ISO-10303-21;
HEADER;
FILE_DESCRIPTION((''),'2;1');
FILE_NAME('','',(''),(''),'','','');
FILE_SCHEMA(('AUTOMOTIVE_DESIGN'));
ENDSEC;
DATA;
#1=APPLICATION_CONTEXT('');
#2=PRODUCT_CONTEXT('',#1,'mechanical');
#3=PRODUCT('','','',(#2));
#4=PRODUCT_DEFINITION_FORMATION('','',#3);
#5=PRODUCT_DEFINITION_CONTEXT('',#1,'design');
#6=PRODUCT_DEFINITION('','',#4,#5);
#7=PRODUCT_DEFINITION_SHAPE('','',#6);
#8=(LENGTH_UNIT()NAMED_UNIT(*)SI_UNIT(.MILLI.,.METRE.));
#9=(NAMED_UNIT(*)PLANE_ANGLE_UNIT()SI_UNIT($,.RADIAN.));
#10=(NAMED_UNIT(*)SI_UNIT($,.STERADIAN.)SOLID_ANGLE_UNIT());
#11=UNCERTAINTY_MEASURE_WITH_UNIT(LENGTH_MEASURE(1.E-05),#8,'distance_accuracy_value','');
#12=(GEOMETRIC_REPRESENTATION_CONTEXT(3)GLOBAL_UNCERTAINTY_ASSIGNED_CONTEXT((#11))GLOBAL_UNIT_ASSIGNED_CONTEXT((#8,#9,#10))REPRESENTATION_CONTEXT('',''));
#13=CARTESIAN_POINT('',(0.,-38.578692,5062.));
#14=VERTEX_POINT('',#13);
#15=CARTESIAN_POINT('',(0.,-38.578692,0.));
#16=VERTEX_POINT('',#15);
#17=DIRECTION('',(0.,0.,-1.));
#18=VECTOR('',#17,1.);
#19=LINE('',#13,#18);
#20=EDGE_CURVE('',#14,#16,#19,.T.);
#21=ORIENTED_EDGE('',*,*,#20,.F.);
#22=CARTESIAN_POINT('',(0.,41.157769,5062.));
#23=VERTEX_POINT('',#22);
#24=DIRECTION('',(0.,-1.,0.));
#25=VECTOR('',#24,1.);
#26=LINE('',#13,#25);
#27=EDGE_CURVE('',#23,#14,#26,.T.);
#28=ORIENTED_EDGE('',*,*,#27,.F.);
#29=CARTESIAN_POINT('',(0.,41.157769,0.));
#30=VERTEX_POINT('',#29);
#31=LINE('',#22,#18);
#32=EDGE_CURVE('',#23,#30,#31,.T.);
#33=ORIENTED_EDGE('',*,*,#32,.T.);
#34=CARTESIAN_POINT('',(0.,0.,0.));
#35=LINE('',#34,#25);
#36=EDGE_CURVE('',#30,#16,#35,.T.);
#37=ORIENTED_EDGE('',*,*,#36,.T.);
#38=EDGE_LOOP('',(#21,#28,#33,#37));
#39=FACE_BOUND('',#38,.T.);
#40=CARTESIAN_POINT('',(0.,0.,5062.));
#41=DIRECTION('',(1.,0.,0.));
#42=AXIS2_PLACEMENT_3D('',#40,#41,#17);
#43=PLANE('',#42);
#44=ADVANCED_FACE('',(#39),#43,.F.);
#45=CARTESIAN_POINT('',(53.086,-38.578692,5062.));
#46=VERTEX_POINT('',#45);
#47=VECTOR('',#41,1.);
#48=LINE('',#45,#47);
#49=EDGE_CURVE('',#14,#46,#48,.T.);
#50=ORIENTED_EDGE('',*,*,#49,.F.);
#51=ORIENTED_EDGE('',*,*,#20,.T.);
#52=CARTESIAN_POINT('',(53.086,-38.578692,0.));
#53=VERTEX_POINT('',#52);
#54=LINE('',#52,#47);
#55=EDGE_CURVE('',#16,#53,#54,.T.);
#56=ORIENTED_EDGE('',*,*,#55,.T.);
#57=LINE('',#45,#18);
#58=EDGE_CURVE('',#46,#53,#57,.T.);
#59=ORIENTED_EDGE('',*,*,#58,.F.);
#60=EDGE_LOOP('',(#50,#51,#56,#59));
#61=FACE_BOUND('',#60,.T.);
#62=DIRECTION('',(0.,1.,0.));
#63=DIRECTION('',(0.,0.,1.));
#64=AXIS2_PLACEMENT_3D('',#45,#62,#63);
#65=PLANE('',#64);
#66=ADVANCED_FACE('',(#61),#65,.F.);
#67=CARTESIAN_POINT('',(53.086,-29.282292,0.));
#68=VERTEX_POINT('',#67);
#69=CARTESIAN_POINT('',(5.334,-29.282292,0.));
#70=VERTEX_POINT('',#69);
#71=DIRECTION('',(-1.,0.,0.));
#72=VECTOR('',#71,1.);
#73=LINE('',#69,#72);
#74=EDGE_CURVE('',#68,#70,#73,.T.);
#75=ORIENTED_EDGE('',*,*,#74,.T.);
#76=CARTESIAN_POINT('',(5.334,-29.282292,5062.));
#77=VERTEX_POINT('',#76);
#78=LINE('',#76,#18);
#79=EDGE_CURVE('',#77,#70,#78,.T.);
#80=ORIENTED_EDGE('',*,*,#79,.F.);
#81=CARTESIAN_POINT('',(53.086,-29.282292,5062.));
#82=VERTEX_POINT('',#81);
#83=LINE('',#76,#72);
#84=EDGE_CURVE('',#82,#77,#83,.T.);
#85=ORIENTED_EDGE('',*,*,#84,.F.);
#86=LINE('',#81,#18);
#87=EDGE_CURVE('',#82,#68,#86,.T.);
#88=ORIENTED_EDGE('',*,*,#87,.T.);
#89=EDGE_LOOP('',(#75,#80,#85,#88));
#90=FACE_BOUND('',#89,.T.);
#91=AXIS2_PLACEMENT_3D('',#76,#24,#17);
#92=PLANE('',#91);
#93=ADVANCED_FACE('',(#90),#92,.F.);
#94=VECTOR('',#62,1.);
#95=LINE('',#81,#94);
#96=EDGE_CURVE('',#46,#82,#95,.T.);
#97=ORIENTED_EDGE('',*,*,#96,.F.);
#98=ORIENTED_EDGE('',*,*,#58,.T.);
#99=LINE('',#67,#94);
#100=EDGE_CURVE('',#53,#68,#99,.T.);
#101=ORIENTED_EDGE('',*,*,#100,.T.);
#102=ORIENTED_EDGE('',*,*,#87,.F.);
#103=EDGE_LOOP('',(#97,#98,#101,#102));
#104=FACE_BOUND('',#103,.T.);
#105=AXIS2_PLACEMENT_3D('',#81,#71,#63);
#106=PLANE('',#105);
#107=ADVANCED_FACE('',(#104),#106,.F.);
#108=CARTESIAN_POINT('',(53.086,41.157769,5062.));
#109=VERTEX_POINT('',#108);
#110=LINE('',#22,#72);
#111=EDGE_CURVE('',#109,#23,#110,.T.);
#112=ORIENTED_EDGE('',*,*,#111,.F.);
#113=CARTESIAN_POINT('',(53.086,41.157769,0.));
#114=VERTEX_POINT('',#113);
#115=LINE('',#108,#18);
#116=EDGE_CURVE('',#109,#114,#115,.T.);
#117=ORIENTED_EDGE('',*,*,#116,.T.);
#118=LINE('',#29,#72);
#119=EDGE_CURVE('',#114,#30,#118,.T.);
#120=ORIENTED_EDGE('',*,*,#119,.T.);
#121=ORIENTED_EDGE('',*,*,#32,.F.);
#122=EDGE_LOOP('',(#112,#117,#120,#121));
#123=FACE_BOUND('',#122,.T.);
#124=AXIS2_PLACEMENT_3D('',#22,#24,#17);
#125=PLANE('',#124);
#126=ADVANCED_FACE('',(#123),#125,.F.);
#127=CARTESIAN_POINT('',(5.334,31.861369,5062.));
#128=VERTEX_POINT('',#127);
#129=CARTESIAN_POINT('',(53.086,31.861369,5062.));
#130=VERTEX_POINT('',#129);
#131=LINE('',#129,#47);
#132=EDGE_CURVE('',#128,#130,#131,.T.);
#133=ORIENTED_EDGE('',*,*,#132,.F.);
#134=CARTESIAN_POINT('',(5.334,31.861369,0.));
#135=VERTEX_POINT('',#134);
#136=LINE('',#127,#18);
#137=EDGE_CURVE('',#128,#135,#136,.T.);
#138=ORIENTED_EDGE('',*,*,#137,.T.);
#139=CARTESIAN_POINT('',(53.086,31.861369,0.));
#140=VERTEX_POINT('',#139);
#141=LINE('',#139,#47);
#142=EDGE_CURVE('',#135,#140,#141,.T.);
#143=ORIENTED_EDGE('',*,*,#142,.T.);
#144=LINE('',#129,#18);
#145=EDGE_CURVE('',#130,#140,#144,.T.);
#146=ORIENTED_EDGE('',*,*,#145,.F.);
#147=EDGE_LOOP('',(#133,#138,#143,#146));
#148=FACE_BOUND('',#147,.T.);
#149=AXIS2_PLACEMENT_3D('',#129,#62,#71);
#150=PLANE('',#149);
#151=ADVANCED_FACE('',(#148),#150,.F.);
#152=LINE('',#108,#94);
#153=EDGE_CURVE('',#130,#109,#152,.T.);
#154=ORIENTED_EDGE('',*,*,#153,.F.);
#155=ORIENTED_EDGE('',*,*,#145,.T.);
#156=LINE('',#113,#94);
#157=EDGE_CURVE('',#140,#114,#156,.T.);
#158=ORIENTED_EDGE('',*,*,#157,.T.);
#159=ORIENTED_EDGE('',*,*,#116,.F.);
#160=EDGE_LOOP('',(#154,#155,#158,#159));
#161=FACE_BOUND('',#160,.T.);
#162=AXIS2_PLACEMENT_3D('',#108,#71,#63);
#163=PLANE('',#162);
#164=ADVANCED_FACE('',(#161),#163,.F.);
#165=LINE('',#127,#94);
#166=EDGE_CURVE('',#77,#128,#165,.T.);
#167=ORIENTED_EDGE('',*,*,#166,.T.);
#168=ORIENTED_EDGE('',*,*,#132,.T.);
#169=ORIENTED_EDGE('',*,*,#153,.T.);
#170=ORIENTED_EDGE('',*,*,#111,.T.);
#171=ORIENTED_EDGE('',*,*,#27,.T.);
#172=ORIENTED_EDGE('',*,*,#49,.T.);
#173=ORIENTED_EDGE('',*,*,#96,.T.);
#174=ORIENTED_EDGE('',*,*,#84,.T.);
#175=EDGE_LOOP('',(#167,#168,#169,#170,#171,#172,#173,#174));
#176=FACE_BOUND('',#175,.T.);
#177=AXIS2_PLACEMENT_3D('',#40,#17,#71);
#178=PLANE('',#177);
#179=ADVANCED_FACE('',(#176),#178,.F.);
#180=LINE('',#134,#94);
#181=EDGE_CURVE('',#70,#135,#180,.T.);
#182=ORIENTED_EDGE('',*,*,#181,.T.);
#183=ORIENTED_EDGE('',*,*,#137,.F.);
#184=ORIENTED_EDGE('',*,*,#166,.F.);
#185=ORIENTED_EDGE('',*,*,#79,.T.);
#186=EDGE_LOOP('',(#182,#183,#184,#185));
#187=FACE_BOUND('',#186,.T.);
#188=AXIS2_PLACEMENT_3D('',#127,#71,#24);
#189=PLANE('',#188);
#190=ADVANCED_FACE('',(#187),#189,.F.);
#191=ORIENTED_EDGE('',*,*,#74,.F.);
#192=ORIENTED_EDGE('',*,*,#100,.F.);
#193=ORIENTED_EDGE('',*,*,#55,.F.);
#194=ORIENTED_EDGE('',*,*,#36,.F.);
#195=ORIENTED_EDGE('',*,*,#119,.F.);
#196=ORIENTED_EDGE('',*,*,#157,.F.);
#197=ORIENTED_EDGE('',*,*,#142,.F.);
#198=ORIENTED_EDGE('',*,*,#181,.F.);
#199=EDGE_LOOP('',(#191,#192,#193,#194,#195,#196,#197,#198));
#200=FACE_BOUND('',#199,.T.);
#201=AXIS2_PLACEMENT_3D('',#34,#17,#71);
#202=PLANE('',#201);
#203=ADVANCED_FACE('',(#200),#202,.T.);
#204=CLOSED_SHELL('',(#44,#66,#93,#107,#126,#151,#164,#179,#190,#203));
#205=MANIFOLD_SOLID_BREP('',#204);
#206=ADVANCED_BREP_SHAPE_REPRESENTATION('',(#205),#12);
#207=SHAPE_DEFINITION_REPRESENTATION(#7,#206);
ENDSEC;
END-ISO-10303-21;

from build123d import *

# Parameters (mm, degrees)
BOSS_EXTRUDE1_DEPTH = 5062


with BuildPart() as part:
    # Sketch1 → Boss-Extrude1 (new body)
    with BuildSketch(Plane.XY):
        Polygon((0, 0), (0, 41.157769231), (53.086, 41.157769231), (53.086, 31.861369231), (5.334, 31.861369231), (5.334, -29.282292308), (53.086, -29.282292308), (53.086, -38.578692308), (0, -38.578692308), align=None)
    extrude(amount=BOSS_EXTRUDE1_DEPTH)


solid = part.part
